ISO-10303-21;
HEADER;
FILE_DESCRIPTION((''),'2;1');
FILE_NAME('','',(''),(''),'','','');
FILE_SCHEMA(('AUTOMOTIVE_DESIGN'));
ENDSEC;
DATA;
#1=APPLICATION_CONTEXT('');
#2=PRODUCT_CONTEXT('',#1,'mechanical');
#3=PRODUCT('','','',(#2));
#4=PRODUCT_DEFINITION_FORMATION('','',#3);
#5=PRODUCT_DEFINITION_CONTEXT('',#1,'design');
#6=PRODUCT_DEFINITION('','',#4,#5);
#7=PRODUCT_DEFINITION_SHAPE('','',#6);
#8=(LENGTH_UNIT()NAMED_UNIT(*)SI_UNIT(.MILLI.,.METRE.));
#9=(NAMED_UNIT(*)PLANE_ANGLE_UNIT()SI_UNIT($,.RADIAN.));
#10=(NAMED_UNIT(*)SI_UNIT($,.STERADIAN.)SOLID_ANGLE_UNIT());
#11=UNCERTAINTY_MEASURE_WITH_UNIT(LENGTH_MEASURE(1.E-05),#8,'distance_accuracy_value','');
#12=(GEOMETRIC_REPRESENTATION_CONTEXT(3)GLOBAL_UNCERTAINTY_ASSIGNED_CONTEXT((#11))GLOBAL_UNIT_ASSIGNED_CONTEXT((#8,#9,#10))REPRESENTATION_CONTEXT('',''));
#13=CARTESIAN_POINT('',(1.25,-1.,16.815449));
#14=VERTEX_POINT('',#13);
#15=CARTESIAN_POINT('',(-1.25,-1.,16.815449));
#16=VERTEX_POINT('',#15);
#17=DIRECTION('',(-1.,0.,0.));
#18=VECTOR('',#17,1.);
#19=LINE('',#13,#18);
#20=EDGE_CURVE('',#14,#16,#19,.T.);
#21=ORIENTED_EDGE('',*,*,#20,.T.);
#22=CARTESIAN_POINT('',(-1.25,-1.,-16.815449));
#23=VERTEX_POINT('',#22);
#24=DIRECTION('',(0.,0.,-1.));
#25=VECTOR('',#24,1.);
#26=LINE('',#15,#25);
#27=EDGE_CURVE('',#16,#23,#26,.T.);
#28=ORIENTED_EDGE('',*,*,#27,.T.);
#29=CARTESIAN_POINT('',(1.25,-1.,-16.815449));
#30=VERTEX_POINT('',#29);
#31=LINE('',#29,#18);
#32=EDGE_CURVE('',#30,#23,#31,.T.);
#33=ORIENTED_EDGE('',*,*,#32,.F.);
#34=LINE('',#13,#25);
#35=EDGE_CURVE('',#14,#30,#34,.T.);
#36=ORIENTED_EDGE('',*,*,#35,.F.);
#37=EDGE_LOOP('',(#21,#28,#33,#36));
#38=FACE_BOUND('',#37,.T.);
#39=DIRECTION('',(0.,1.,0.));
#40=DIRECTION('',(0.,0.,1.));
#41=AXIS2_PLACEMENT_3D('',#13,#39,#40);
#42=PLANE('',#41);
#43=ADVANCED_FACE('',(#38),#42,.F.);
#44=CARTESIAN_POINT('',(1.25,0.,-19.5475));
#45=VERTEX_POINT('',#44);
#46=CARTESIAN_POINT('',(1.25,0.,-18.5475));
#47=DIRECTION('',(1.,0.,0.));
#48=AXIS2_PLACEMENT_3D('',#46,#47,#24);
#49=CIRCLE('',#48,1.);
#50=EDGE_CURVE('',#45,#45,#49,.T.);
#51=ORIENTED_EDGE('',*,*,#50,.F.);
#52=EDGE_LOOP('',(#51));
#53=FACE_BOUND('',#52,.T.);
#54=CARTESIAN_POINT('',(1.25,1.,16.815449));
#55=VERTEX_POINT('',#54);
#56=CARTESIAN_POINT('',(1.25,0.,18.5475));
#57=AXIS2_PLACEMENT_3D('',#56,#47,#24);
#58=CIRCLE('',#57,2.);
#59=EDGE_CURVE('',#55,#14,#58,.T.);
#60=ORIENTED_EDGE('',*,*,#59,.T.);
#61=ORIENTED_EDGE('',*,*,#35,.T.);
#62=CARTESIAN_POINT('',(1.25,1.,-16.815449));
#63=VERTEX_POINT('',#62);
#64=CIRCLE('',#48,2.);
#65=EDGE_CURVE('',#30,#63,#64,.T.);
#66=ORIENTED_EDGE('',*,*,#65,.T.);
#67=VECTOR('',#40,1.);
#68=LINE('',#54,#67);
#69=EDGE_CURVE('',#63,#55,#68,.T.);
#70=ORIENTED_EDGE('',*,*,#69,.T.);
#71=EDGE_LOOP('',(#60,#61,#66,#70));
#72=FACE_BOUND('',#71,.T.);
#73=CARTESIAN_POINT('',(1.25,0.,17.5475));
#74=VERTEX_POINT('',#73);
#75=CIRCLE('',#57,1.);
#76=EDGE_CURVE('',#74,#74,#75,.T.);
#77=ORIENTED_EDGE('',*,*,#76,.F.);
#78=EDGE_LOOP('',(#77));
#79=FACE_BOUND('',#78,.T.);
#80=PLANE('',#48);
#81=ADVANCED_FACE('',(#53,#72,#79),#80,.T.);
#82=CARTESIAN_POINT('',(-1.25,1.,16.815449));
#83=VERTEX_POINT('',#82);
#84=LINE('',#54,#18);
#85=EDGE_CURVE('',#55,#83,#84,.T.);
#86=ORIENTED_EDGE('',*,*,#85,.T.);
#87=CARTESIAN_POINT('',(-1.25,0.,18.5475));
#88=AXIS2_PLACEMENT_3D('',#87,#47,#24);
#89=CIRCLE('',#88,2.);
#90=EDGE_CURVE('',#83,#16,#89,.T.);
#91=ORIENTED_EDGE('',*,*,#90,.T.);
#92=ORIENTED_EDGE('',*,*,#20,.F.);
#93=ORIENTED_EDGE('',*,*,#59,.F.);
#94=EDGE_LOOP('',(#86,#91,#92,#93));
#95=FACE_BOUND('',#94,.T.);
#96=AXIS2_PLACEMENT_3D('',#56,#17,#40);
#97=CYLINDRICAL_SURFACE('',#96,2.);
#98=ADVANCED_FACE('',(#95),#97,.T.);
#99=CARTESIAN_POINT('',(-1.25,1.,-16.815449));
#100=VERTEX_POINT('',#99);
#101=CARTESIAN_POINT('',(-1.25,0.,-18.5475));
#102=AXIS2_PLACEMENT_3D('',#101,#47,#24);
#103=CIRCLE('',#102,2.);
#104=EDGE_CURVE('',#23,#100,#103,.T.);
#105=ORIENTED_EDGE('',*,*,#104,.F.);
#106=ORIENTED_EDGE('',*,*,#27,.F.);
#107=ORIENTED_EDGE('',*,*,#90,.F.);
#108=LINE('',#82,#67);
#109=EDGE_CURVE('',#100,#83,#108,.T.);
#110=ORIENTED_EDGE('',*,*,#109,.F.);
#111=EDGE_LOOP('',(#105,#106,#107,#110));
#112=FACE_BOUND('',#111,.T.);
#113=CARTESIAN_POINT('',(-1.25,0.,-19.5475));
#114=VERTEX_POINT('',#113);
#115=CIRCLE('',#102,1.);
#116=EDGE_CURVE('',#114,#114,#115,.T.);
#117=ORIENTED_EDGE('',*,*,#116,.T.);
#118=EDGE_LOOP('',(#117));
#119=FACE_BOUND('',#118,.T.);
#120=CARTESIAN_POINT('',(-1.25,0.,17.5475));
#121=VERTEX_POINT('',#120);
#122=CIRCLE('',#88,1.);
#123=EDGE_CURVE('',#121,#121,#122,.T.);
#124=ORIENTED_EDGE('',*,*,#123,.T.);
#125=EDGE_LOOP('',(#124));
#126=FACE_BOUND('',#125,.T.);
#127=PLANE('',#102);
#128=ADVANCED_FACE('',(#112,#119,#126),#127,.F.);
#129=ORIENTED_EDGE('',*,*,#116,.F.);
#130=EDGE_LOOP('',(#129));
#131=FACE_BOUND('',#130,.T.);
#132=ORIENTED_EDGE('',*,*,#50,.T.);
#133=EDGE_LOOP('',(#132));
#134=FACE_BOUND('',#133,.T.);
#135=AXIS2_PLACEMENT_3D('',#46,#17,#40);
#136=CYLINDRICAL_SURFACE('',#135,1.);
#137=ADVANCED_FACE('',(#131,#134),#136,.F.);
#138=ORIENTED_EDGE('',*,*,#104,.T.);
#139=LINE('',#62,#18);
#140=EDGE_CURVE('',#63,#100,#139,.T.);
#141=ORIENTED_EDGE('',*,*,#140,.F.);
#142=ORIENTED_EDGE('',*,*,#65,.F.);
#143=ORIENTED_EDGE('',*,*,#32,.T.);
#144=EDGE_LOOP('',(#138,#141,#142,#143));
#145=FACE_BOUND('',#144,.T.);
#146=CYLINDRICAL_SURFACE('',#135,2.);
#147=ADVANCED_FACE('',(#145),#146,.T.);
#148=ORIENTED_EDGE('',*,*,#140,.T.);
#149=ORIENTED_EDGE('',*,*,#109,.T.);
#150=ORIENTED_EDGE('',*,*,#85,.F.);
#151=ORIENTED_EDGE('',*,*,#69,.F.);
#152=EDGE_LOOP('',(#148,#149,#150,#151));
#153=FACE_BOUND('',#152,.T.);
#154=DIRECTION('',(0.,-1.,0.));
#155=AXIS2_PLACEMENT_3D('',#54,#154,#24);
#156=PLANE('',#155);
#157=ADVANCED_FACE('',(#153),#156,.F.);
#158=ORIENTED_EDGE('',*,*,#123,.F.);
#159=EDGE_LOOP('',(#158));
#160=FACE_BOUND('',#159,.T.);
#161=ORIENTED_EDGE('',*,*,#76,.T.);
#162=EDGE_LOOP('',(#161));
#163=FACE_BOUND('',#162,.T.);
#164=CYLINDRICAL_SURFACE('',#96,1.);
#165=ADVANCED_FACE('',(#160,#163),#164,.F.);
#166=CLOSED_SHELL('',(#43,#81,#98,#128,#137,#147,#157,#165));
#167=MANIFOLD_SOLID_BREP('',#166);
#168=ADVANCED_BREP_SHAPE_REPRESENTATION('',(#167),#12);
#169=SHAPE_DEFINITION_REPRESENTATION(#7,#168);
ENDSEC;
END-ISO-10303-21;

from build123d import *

# Parameters (mm, degrees)
SKETCH1_R           = 1
BOSS_EXTRUDE1_DEPTH = 1.25


with BuildPart() as part:
    # Sketch1 → Boss-Extrude1 (new body, symmetric)
    with BuildSketch(Plane(origin=(0, 0, 0), x_dir=(0, 0, -1), z_dir=(1, 0, 0))):
        with BuildLine():
            Line((-16.815449192, 1), (16.815449192, 1))
            ThreePointArc((16.815449192, 1), (20.5475, 0), (16.815449192, -1))
            Line((16.815449192, -1), (-16.815449192, -1))
            ThreePointArc((-16.815449192, -1), (-20.5475, 0), (-16.815449192, 1))
        make_face()
        with Locations((-18.5475, 0)):
            Circle(SKETCH1_R, mode=Mode.SUBTRACT)
        with Locations((18.5475, 0)):
            Circle(SKETCH1_R, mode=Mode.SUBTRACT)
    extrude(amount=BOSS_EXTRUDE1_DEPTH, both=True)


solid = part.part
